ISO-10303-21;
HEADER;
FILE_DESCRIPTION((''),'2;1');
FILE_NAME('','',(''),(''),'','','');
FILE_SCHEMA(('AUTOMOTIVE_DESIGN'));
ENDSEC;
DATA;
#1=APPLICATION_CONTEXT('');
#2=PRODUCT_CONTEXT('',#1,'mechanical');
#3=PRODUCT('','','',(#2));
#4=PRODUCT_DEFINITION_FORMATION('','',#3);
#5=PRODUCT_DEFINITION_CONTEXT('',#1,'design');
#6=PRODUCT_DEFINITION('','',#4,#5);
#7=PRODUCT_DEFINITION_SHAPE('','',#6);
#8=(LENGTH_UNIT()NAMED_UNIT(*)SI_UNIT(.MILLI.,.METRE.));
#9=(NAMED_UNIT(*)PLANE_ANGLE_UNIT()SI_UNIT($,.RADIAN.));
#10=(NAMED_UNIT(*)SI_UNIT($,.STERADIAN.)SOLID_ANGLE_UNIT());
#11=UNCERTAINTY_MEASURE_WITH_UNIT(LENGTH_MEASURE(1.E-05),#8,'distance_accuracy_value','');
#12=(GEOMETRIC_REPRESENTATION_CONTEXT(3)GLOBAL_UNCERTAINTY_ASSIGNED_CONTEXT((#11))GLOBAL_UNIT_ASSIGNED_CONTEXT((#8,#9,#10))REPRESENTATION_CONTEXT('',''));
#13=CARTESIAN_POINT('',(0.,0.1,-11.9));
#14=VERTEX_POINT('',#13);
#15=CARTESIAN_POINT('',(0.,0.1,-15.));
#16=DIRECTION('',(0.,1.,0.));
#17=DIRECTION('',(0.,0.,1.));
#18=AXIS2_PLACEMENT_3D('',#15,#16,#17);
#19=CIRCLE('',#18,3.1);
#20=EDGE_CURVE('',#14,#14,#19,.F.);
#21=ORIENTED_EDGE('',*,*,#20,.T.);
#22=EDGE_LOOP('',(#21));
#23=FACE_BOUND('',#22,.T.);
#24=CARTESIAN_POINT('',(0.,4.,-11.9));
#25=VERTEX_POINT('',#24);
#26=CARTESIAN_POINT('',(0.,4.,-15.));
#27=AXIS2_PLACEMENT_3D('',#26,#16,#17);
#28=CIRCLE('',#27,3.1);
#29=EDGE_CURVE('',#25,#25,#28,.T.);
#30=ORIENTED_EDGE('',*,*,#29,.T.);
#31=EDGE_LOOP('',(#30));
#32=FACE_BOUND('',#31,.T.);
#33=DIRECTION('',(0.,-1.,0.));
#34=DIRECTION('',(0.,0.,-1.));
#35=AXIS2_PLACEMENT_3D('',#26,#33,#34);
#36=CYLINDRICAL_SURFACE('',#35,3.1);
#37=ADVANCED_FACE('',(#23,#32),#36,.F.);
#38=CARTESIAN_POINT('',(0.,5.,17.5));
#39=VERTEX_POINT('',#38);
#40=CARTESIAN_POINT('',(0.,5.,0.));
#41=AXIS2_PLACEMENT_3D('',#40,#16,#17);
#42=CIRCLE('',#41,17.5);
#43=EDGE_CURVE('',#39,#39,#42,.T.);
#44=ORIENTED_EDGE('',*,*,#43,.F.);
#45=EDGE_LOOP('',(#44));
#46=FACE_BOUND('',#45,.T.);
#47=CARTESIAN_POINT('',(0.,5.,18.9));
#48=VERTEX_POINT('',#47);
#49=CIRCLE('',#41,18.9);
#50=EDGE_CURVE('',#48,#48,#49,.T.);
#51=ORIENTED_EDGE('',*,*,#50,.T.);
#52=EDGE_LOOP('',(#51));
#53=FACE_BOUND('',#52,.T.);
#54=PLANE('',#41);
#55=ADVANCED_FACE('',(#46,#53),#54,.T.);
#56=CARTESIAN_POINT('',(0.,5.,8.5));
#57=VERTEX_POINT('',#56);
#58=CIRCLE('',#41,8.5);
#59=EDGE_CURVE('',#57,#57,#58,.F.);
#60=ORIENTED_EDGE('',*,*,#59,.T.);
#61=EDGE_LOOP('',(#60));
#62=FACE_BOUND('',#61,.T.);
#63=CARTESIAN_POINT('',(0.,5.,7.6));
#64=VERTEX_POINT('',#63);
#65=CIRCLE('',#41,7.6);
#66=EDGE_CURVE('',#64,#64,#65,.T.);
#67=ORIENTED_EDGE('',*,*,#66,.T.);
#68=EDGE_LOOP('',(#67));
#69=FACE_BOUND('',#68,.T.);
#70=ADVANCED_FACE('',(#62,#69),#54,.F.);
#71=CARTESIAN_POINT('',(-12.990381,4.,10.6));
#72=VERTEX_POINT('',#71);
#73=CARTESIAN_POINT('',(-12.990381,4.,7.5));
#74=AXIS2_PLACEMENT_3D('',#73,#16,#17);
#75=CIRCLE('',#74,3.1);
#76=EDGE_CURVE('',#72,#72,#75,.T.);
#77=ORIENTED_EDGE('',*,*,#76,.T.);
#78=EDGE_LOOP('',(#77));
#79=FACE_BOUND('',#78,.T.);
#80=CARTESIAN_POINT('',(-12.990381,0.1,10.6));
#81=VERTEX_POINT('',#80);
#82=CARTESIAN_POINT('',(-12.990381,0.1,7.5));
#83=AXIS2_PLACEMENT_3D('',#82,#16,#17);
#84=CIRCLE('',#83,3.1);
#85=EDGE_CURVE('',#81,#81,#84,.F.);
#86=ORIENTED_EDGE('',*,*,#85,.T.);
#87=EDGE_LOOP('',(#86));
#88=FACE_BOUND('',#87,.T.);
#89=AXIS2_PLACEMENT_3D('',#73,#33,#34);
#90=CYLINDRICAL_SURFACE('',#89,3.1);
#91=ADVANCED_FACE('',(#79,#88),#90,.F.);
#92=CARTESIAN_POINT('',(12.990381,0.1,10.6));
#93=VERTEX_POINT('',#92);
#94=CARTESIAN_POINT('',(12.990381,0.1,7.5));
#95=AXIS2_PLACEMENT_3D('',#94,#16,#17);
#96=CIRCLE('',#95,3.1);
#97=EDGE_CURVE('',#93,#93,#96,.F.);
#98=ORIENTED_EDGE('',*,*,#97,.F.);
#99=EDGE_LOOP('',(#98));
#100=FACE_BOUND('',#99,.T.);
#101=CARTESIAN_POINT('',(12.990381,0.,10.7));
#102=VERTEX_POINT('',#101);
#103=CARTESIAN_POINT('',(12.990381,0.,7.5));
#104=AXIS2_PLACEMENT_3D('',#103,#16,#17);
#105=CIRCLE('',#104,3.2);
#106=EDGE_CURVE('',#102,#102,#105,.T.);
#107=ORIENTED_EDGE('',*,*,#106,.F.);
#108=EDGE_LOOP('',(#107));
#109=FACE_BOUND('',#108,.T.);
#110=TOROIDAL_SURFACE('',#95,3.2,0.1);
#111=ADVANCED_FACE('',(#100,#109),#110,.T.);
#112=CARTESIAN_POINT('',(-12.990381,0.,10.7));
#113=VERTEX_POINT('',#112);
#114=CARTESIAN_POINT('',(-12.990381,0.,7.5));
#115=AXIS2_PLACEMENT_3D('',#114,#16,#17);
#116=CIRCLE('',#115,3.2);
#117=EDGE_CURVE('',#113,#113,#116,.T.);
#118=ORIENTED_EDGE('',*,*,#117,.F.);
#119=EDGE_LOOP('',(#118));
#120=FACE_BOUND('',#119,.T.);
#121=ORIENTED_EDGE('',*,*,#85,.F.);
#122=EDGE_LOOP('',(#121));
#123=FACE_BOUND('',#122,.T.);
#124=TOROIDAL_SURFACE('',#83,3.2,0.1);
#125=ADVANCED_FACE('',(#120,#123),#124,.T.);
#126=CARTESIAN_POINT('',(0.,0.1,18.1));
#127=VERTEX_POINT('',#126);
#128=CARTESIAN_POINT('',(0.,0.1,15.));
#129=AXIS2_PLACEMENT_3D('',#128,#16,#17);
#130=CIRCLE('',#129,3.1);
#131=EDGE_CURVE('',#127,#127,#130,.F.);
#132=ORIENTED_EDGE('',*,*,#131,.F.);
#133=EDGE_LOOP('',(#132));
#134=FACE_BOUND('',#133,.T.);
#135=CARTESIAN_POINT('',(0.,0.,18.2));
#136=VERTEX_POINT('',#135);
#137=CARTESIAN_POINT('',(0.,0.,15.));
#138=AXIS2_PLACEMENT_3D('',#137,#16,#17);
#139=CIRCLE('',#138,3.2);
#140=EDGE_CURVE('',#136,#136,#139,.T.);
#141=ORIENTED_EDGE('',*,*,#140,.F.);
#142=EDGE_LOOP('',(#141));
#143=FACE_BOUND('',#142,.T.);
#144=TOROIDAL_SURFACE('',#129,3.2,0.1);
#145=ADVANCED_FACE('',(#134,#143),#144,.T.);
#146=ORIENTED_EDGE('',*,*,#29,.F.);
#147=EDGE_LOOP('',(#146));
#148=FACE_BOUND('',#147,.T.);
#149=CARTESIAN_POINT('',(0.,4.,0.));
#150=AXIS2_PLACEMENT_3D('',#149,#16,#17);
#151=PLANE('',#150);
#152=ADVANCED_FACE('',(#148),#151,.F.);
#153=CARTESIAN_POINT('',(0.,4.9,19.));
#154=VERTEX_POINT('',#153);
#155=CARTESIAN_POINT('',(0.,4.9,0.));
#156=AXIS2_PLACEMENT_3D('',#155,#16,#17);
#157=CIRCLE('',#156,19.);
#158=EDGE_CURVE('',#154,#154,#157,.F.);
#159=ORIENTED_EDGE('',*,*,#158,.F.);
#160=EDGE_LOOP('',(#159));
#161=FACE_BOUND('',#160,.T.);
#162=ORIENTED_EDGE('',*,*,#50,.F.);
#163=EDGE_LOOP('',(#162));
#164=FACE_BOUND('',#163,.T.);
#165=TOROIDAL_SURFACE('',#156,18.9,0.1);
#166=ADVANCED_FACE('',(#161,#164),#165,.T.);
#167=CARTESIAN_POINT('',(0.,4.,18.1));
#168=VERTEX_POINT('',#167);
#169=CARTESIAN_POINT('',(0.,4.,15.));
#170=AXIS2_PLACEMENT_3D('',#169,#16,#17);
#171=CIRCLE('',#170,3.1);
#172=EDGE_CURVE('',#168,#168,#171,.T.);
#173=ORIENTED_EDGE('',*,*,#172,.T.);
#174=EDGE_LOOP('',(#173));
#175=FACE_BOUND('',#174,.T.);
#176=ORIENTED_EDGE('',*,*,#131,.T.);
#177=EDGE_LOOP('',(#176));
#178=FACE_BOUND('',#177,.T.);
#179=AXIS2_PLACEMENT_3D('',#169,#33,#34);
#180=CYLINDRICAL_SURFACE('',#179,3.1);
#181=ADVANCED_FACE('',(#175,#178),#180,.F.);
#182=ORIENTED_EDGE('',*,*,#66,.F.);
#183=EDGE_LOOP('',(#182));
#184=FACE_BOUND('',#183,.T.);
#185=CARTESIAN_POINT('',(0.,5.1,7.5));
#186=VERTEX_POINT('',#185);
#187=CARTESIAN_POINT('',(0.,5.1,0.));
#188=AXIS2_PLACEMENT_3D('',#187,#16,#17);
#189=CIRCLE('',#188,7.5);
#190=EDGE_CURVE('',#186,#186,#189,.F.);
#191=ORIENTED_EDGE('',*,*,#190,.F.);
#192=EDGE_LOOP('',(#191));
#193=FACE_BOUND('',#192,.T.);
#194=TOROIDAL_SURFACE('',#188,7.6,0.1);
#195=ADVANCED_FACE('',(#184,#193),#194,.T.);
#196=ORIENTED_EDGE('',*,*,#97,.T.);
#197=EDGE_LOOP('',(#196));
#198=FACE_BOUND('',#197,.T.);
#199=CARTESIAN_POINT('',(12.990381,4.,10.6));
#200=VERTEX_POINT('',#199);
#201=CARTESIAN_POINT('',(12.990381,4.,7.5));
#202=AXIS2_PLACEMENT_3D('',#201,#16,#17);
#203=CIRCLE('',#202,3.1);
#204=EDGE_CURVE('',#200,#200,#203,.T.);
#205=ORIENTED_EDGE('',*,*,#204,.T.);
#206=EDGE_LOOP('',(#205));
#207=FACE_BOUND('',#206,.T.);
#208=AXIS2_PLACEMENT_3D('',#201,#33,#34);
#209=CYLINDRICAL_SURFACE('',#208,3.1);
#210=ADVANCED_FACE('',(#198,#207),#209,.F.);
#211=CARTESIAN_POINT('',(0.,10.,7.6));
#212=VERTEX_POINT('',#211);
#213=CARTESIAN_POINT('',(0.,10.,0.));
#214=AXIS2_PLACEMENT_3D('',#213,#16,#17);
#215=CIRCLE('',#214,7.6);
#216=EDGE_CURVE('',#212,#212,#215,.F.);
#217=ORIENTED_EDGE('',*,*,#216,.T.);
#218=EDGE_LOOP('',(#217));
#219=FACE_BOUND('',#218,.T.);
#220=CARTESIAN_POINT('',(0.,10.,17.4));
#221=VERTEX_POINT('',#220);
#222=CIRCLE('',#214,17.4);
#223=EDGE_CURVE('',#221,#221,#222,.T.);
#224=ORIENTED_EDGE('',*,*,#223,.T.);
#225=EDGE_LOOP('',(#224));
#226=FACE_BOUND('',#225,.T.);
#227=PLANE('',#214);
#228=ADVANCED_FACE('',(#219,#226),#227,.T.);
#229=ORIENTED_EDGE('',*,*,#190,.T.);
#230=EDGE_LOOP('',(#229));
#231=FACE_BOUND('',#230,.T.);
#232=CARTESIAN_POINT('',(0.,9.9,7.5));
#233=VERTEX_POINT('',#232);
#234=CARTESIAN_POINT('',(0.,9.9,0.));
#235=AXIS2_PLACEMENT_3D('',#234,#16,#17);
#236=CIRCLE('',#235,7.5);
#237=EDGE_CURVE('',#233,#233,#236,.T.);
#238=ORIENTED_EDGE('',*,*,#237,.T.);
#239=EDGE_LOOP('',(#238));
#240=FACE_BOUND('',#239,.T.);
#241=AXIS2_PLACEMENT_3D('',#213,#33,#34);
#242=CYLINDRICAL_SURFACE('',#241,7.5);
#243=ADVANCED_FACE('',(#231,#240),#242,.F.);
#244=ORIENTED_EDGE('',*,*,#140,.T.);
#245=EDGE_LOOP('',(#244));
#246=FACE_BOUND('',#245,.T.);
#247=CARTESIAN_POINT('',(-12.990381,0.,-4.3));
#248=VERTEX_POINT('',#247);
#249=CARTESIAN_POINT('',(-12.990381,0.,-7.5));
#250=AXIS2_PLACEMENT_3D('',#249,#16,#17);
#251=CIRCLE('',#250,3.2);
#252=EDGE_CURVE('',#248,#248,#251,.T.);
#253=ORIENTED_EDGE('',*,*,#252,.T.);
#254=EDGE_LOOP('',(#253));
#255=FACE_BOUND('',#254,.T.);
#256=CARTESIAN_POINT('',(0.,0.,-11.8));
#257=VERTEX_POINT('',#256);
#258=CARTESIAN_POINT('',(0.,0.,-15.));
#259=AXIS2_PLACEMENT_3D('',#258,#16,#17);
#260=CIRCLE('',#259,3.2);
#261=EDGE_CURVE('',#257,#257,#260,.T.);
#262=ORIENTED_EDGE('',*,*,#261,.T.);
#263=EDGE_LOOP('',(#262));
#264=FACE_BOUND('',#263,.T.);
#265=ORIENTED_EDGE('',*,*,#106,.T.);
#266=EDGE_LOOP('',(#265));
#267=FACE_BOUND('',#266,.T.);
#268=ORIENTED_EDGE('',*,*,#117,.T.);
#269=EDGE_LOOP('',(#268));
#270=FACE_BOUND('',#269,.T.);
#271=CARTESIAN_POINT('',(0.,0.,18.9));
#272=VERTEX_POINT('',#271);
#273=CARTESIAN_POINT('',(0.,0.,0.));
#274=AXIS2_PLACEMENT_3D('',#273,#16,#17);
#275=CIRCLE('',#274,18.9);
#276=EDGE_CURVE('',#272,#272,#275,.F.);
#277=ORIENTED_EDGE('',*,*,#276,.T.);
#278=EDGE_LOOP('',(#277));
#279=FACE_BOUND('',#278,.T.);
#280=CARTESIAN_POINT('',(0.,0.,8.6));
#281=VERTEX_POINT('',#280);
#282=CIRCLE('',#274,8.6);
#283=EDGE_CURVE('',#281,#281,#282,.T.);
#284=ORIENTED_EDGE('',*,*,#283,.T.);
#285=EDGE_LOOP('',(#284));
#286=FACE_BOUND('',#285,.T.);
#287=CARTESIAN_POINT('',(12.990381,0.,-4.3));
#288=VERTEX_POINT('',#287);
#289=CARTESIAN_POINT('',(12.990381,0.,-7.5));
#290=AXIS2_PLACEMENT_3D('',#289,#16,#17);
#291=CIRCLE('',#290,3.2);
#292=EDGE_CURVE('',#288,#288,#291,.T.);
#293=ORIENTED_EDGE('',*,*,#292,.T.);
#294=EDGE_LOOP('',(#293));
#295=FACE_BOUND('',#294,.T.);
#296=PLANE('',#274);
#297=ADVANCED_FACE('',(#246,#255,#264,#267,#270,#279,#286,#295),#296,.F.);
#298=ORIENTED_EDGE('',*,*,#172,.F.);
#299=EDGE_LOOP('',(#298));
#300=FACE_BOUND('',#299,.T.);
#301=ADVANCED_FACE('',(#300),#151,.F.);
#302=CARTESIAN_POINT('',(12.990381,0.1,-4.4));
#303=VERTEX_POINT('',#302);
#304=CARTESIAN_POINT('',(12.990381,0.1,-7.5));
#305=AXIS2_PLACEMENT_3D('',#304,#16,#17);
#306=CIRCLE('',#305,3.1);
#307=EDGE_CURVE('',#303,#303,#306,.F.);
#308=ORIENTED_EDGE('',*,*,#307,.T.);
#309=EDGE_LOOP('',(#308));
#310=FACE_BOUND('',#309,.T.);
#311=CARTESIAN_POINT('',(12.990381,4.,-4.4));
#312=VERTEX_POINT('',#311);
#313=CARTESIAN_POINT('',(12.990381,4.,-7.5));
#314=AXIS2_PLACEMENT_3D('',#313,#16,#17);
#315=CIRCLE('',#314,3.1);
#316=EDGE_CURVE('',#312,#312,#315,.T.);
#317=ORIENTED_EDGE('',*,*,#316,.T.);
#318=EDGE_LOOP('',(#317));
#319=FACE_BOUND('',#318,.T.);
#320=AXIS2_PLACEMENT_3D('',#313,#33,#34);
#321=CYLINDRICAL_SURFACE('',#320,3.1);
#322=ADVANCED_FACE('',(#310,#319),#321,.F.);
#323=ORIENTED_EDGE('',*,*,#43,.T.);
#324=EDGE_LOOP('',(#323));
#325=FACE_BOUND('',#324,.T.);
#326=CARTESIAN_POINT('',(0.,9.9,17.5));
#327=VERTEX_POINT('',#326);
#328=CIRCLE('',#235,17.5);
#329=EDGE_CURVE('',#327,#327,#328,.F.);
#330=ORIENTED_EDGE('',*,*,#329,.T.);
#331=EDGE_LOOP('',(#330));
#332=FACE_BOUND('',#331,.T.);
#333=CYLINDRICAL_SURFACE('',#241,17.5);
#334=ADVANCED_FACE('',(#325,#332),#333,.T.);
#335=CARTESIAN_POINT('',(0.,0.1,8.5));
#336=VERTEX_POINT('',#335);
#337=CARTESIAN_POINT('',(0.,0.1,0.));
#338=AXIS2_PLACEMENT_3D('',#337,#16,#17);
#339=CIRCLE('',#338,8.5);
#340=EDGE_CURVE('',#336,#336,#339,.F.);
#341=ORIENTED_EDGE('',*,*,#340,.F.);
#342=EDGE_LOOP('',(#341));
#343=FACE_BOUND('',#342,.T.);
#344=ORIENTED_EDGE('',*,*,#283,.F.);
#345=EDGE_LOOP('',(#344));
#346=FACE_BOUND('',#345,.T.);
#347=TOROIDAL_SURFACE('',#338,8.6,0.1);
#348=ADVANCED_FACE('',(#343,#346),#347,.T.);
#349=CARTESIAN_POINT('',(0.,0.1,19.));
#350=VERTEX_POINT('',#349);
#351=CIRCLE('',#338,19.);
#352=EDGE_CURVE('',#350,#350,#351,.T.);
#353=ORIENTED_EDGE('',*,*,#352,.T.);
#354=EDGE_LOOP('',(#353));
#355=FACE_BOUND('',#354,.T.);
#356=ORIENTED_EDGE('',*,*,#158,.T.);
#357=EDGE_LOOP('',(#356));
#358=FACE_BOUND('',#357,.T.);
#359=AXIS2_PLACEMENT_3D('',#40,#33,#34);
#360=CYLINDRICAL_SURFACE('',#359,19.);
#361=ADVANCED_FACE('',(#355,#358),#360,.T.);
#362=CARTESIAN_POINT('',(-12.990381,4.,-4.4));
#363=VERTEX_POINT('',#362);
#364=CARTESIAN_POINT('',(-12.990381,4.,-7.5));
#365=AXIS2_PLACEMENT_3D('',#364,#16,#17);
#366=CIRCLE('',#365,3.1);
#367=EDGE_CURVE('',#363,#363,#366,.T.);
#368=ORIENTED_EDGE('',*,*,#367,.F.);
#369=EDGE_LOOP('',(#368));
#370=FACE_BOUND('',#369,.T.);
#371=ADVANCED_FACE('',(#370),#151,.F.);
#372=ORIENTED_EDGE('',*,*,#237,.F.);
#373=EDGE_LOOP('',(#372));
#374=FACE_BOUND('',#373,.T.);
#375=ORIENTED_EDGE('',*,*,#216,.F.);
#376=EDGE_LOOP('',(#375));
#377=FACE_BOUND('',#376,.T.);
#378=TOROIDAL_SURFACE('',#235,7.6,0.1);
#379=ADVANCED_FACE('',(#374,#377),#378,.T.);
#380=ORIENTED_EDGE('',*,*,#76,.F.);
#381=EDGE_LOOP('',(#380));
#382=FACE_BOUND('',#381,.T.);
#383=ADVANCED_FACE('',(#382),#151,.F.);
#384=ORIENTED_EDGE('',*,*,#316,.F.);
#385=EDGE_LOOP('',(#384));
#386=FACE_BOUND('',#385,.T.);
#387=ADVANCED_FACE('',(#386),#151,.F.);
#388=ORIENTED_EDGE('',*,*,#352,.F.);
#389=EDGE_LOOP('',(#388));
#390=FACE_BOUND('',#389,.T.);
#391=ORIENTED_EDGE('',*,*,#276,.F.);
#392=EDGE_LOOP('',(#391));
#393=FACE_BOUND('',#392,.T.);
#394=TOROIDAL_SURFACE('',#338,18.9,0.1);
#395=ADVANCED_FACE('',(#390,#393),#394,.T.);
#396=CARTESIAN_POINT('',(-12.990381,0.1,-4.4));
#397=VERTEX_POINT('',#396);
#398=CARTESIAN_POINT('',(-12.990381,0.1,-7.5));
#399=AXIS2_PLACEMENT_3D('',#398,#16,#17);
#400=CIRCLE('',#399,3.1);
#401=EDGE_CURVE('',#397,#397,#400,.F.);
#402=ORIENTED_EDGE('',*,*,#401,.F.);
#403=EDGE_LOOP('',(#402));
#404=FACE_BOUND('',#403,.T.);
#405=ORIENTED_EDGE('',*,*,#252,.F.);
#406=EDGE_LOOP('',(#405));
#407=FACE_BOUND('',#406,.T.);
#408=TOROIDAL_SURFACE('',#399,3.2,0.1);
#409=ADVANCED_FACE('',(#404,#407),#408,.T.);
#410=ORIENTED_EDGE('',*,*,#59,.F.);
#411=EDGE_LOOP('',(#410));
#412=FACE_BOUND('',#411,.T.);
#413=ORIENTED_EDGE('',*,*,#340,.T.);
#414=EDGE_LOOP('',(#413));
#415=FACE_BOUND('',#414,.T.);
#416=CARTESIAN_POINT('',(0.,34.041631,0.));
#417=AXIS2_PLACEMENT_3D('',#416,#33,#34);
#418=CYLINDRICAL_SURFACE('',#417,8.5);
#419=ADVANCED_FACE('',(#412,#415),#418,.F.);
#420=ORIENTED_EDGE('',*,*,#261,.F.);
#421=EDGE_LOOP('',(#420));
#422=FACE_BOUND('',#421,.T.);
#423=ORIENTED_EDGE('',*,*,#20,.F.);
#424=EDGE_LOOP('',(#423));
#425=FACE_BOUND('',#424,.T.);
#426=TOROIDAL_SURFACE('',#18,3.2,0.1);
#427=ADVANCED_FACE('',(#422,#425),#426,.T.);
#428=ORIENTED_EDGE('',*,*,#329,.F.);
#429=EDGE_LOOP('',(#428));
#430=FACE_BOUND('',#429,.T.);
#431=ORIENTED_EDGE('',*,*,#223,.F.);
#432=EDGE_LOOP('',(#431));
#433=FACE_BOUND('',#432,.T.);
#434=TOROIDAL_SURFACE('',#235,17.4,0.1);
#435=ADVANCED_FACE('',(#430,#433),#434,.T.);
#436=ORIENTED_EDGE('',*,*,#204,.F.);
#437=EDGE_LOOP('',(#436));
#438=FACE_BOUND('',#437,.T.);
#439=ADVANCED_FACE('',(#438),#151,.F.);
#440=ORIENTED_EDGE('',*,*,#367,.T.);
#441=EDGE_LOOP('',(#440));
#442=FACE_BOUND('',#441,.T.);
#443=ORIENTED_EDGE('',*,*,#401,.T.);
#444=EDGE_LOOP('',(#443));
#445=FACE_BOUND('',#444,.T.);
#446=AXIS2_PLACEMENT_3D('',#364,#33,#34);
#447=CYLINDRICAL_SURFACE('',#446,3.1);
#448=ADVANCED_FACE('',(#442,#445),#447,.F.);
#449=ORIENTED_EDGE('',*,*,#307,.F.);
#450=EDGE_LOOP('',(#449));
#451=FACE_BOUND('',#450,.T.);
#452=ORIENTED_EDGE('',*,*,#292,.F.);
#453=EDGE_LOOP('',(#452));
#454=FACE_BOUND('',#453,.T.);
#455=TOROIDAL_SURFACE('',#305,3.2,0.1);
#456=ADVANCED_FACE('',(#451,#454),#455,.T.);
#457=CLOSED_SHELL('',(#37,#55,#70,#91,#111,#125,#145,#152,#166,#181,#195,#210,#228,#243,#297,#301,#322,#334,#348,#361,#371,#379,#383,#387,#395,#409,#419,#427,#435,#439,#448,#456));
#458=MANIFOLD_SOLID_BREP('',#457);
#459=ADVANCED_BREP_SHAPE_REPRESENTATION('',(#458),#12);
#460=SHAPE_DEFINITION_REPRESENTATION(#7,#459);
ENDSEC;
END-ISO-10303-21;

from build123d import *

# Parameters (mm, degrees)
SKETCH_1_R          = 19
EXTRUDE_1_DEPTH     = 5
SKETCH_1_3_R        = 3.1
CUT_EXTRUDE_1_DEPTH = 4
SKETCH_5_R          = 17.5
SKETCH_5_R_2        = 7.5
EXTRUDE_3_DEPTH     = 5
SKETCH_8_R          = 8.5
CUT_EXTRUDE_4_DEPTH = 5
FILLET_1_R          = 0.1


with BuildPart() as part:
    # 草图1 → 凸台-拉伸1 (new body)
    with BuildSketch(Plane(origin=(0, 0, 0), x_dir=(1, 0, 0), z_dir=(0, 1, 0))):
        with Locations(Location((0, 0, 0), (0, 0, 270))):
            Circle(SKETCH_1_R)
    extrude(amount=EXTRUDE_1_DEPTH)

    # 草图1<3> → 切除-拉伸1 (cut)
    with BuildSketch(Plane(origin=(0, 0, 0), x_dir=(1, 0, 0), z_dir=(0, 1, 0))):
        with Locations(Location((-12.990381057, 7.5, 0), (0, 0, 270))):
            Circle(SKETCH_1_3_R)
        with Locations(Location((-12.990381057, -7.5, 0), (0, 0, 270))):
            Circle(SKETCH_1_3_R)
        with Locations(Location((0, -15, 0), (0, 0, 270))):
            Circle(SKETCH_1_3_R)
        with Locations(Location((12.990381057, -7.5, 0), (0, 0, 270))):
            Circle(SKETCH_1_3_R)
        with Locations(Location((12.990381057, 7.5, 0), (0, 0, 270))):
            Circle(SKETCH_1_3_R)
        with Locations(Location((0, 15, 0), (0, 0, 270))):
            Circle(SKETCH_1_3_R)
    extrude(amount=CUT_EXTRUDE_1_DEPTH, mode=Mode.SUBTRACT)

    # 草图5 → 凸台-拉伸3 (add)
    with BuildSketch(Plane(origin=(0, 5, 0), x_dir=(1, 0, 0), z_dir=(0, 1, 0))):
        with Locations(Location((0, 0, 0), (0, 0, 270))):
            Circle(SKETCH_5_R)
        with Locations(Location((0, 0, 0), (0, 0, 270))):
            Circle(SKETCH_5_R_2, mode=Mode.SUBTRACT)
    extrude(amount=EXTRUDE_3_DEPTH)

    # 草图8 → 切除-拉伸4 (cut)
    with BuildSketch(Plane.XZ):
        with Locations(Location((0, 0, 0), (0, 0, 270))):
            Circle(SKETCH_8_R)
    extrude(amount=-CUT_EXTRUDE_4_DEPTH, mode=Mode.SUBTRACT)

    # 圆角1
    fillet_1_edges = [part.edges().sort_by_distance(p)[0] for p in [
        (0, 0, -18.1),
        (12.990381057, 0, -10.6),
        (12.990381057, 0, 4.4),
        (0, 0, 11.9),
        (-12.990381057, 0, 4.4),
        (-12.990381057, 0, -10.6),
        (0, 0, -19),
        (0, 10, -17.5),
        (0, 10, -7.5),
        (0, 5, -7.5),
        (0, 0, 8.5),
        (0, 5, -19),
    ]]
    fillet(fillet_1_edges, radius=FILLET_1_R)


solid = part.part
